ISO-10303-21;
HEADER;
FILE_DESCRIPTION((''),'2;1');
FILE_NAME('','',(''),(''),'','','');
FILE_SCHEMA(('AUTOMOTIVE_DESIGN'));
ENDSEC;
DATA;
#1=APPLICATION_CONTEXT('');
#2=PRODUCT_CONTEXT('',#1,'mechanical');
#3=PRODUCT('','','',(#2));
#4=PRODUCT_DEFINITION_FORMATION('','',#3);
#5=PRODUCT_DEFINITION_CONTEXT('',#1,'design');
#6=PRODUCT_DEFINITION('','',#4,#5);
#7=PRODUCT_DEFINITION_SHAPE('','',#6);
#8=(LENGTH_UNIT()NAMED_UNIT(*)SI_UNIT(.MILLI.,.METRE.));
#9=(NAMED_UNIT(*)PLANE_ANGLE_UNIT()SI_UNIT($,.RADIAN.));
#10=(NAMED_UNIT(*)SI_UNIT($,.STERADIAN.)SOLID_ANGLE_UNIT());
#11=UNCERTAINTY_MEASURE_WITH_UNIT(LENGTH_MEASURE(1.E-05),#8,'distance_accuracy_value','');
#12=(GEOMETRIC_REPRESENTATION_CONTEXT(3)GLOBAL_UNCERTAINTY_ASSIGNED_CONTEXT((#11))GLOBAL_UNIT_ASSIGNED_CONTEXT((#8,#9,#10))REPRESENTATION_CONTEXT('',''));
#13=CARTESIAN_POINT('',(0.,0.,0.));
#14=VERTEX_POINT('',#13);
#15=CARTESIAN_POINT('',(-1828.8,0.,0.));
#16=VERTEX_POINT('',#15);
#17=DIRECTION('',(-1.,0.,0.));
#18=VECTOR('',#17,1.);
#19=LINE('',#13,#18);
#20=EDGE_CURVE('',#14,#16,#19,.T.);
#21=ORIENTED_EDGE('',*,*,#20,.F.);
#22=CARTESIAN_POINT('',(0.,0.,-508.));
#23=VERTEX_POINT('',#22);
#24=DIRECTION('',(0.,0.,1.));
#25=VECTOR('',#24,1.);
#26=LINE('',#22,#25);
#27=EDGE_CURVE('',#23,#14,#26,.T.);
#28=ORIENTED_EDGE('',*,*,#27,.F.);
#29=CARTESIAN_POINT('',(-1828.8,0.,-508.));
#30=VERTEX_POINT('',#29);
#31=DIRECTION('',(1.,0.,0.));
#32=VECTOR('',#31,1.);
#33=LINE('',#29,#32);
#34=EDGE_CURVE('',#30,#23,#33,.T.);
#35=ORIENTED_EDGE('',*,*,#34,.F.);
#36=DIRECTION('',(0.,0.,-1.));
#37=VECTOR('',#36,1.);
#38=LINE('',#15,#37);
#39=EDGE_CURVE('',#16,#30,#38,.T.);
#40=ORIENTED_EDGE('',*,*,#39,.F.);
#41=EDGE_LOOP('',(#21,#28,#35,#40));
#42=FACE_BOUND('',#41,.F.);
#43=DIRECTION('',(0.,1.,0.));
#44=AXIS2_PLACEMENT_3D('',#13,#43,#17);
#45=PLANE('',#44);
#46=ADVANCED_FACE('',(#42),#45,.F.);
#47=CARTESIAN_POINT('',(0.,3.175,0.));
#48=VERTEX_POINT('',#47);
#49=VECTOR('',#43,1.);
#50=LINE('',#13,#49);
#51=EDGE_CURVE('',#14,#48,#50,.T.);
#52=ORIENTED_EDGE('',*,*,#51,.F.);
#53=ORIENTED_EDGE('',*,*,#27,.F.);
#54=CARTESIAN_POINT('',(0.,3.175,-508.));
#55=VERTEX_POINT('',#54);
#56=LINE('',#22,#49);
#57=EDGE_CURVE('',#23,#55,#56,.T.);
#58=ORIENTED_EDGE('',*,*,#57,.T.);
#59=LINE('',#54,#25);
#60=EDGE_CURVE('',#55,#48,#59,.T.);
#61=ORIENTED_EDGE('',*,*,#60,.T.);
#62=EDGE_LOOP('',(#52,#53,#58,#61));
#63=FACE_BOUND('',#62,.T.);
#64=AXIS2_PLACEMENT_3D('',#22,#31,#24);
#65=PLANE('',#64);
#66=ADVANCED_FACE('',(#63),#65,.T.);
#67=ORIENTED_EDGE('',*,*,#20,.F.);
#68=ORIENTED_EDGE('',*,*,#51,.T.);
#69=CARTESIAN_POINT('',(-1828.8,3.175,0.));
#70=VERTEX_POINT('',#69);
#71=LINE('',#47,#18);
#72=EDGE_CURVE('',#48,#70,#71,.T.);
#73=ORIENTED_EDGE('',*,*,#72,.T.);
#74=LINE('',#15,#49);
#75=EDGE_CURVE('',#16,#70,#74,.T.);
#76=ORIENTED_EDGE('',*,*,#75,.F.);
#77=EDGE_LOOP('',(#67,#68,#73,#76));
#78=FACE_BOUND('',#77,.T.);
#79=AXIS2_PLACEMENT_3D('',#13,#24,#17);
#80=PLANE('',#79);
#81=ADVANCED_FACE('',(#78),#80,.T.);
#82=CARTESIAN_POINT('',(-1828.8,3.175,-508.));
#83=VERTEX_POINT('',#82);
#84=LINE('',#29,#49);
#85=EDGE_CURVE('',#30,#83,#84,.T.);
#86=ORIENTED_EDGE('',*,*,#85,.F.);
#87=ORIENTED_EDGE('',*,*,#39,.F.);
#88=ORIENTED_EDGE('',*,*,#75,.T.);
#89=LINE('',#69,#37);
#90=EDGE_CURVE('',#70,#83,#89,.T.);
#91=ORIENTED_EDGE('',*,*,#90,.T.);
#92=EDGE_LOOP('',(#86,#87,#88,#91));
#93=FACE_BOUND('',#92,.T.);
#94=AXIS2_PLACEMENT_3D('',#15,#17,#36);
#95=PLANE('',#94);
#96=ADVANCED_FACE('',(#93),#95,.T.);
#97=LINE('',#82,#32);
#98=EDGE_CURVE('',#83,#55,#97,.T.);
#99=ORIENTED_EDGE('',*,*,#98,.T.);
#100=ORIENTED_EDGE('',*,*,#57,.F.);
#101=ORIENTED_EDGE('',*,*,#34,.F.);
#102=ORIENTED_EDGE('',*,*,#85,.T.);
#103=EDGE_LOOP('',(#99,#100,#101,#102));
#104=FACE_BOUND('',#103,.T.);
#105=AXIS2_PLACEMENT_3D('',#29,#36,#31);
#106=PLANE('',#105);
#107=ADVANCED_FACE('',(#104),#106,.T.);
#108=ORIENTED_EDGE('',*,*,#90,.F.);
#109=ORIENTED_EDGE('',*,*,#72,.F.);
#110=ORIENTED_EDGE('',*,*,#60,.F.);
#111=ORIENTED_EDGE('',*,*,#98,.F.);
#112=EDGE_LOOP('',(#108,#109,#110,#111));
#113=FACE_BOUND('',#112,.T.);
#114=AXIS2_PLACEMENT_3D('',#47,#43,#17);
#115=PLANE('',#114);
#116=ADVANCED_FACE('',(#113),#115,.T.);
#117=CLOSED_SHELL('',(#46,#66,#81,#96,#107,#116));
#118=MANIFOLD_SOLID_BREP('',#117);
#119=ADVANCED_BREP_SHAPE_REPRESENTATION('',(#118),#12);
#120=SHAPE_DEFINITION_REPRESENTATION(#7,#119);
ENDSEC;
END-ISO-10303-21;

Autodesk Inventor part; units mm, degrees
ref_plane "YZ Plane" through (0, 0, 0) normal (1, 0, 0) x (0, 1, 0)
ref_plane "XZ Plane" through (0, 0, 0) normal (0, 1, 0) x (-1, 0, 0)
ref_plane "XY Plane" through (0, 0, 0) normal (0, 0, 1) x (1, 0, 0)
sketch "Sketch1" plane through (0, 0, 0) normal (0, 1, 0) x (-1, 0, 0)
  line L0 (0, 0) -> (1828.8, 0)
  line L1 (1828.8, 0) -> (1828.8, -508)
  line L2 (1828.8, -508) -> (0, -508)
  line L3 (0, -508) -> (0, 0)
  dimension "d0" = 1828.8
  dimension "d1" = 508
extrude "Extrusion1" add sketch "Sketch1" along normal blind 3.175
properties part number "Platform Polycarbonate - 20x72 - 125" material "Polycarbonate, Clear"
